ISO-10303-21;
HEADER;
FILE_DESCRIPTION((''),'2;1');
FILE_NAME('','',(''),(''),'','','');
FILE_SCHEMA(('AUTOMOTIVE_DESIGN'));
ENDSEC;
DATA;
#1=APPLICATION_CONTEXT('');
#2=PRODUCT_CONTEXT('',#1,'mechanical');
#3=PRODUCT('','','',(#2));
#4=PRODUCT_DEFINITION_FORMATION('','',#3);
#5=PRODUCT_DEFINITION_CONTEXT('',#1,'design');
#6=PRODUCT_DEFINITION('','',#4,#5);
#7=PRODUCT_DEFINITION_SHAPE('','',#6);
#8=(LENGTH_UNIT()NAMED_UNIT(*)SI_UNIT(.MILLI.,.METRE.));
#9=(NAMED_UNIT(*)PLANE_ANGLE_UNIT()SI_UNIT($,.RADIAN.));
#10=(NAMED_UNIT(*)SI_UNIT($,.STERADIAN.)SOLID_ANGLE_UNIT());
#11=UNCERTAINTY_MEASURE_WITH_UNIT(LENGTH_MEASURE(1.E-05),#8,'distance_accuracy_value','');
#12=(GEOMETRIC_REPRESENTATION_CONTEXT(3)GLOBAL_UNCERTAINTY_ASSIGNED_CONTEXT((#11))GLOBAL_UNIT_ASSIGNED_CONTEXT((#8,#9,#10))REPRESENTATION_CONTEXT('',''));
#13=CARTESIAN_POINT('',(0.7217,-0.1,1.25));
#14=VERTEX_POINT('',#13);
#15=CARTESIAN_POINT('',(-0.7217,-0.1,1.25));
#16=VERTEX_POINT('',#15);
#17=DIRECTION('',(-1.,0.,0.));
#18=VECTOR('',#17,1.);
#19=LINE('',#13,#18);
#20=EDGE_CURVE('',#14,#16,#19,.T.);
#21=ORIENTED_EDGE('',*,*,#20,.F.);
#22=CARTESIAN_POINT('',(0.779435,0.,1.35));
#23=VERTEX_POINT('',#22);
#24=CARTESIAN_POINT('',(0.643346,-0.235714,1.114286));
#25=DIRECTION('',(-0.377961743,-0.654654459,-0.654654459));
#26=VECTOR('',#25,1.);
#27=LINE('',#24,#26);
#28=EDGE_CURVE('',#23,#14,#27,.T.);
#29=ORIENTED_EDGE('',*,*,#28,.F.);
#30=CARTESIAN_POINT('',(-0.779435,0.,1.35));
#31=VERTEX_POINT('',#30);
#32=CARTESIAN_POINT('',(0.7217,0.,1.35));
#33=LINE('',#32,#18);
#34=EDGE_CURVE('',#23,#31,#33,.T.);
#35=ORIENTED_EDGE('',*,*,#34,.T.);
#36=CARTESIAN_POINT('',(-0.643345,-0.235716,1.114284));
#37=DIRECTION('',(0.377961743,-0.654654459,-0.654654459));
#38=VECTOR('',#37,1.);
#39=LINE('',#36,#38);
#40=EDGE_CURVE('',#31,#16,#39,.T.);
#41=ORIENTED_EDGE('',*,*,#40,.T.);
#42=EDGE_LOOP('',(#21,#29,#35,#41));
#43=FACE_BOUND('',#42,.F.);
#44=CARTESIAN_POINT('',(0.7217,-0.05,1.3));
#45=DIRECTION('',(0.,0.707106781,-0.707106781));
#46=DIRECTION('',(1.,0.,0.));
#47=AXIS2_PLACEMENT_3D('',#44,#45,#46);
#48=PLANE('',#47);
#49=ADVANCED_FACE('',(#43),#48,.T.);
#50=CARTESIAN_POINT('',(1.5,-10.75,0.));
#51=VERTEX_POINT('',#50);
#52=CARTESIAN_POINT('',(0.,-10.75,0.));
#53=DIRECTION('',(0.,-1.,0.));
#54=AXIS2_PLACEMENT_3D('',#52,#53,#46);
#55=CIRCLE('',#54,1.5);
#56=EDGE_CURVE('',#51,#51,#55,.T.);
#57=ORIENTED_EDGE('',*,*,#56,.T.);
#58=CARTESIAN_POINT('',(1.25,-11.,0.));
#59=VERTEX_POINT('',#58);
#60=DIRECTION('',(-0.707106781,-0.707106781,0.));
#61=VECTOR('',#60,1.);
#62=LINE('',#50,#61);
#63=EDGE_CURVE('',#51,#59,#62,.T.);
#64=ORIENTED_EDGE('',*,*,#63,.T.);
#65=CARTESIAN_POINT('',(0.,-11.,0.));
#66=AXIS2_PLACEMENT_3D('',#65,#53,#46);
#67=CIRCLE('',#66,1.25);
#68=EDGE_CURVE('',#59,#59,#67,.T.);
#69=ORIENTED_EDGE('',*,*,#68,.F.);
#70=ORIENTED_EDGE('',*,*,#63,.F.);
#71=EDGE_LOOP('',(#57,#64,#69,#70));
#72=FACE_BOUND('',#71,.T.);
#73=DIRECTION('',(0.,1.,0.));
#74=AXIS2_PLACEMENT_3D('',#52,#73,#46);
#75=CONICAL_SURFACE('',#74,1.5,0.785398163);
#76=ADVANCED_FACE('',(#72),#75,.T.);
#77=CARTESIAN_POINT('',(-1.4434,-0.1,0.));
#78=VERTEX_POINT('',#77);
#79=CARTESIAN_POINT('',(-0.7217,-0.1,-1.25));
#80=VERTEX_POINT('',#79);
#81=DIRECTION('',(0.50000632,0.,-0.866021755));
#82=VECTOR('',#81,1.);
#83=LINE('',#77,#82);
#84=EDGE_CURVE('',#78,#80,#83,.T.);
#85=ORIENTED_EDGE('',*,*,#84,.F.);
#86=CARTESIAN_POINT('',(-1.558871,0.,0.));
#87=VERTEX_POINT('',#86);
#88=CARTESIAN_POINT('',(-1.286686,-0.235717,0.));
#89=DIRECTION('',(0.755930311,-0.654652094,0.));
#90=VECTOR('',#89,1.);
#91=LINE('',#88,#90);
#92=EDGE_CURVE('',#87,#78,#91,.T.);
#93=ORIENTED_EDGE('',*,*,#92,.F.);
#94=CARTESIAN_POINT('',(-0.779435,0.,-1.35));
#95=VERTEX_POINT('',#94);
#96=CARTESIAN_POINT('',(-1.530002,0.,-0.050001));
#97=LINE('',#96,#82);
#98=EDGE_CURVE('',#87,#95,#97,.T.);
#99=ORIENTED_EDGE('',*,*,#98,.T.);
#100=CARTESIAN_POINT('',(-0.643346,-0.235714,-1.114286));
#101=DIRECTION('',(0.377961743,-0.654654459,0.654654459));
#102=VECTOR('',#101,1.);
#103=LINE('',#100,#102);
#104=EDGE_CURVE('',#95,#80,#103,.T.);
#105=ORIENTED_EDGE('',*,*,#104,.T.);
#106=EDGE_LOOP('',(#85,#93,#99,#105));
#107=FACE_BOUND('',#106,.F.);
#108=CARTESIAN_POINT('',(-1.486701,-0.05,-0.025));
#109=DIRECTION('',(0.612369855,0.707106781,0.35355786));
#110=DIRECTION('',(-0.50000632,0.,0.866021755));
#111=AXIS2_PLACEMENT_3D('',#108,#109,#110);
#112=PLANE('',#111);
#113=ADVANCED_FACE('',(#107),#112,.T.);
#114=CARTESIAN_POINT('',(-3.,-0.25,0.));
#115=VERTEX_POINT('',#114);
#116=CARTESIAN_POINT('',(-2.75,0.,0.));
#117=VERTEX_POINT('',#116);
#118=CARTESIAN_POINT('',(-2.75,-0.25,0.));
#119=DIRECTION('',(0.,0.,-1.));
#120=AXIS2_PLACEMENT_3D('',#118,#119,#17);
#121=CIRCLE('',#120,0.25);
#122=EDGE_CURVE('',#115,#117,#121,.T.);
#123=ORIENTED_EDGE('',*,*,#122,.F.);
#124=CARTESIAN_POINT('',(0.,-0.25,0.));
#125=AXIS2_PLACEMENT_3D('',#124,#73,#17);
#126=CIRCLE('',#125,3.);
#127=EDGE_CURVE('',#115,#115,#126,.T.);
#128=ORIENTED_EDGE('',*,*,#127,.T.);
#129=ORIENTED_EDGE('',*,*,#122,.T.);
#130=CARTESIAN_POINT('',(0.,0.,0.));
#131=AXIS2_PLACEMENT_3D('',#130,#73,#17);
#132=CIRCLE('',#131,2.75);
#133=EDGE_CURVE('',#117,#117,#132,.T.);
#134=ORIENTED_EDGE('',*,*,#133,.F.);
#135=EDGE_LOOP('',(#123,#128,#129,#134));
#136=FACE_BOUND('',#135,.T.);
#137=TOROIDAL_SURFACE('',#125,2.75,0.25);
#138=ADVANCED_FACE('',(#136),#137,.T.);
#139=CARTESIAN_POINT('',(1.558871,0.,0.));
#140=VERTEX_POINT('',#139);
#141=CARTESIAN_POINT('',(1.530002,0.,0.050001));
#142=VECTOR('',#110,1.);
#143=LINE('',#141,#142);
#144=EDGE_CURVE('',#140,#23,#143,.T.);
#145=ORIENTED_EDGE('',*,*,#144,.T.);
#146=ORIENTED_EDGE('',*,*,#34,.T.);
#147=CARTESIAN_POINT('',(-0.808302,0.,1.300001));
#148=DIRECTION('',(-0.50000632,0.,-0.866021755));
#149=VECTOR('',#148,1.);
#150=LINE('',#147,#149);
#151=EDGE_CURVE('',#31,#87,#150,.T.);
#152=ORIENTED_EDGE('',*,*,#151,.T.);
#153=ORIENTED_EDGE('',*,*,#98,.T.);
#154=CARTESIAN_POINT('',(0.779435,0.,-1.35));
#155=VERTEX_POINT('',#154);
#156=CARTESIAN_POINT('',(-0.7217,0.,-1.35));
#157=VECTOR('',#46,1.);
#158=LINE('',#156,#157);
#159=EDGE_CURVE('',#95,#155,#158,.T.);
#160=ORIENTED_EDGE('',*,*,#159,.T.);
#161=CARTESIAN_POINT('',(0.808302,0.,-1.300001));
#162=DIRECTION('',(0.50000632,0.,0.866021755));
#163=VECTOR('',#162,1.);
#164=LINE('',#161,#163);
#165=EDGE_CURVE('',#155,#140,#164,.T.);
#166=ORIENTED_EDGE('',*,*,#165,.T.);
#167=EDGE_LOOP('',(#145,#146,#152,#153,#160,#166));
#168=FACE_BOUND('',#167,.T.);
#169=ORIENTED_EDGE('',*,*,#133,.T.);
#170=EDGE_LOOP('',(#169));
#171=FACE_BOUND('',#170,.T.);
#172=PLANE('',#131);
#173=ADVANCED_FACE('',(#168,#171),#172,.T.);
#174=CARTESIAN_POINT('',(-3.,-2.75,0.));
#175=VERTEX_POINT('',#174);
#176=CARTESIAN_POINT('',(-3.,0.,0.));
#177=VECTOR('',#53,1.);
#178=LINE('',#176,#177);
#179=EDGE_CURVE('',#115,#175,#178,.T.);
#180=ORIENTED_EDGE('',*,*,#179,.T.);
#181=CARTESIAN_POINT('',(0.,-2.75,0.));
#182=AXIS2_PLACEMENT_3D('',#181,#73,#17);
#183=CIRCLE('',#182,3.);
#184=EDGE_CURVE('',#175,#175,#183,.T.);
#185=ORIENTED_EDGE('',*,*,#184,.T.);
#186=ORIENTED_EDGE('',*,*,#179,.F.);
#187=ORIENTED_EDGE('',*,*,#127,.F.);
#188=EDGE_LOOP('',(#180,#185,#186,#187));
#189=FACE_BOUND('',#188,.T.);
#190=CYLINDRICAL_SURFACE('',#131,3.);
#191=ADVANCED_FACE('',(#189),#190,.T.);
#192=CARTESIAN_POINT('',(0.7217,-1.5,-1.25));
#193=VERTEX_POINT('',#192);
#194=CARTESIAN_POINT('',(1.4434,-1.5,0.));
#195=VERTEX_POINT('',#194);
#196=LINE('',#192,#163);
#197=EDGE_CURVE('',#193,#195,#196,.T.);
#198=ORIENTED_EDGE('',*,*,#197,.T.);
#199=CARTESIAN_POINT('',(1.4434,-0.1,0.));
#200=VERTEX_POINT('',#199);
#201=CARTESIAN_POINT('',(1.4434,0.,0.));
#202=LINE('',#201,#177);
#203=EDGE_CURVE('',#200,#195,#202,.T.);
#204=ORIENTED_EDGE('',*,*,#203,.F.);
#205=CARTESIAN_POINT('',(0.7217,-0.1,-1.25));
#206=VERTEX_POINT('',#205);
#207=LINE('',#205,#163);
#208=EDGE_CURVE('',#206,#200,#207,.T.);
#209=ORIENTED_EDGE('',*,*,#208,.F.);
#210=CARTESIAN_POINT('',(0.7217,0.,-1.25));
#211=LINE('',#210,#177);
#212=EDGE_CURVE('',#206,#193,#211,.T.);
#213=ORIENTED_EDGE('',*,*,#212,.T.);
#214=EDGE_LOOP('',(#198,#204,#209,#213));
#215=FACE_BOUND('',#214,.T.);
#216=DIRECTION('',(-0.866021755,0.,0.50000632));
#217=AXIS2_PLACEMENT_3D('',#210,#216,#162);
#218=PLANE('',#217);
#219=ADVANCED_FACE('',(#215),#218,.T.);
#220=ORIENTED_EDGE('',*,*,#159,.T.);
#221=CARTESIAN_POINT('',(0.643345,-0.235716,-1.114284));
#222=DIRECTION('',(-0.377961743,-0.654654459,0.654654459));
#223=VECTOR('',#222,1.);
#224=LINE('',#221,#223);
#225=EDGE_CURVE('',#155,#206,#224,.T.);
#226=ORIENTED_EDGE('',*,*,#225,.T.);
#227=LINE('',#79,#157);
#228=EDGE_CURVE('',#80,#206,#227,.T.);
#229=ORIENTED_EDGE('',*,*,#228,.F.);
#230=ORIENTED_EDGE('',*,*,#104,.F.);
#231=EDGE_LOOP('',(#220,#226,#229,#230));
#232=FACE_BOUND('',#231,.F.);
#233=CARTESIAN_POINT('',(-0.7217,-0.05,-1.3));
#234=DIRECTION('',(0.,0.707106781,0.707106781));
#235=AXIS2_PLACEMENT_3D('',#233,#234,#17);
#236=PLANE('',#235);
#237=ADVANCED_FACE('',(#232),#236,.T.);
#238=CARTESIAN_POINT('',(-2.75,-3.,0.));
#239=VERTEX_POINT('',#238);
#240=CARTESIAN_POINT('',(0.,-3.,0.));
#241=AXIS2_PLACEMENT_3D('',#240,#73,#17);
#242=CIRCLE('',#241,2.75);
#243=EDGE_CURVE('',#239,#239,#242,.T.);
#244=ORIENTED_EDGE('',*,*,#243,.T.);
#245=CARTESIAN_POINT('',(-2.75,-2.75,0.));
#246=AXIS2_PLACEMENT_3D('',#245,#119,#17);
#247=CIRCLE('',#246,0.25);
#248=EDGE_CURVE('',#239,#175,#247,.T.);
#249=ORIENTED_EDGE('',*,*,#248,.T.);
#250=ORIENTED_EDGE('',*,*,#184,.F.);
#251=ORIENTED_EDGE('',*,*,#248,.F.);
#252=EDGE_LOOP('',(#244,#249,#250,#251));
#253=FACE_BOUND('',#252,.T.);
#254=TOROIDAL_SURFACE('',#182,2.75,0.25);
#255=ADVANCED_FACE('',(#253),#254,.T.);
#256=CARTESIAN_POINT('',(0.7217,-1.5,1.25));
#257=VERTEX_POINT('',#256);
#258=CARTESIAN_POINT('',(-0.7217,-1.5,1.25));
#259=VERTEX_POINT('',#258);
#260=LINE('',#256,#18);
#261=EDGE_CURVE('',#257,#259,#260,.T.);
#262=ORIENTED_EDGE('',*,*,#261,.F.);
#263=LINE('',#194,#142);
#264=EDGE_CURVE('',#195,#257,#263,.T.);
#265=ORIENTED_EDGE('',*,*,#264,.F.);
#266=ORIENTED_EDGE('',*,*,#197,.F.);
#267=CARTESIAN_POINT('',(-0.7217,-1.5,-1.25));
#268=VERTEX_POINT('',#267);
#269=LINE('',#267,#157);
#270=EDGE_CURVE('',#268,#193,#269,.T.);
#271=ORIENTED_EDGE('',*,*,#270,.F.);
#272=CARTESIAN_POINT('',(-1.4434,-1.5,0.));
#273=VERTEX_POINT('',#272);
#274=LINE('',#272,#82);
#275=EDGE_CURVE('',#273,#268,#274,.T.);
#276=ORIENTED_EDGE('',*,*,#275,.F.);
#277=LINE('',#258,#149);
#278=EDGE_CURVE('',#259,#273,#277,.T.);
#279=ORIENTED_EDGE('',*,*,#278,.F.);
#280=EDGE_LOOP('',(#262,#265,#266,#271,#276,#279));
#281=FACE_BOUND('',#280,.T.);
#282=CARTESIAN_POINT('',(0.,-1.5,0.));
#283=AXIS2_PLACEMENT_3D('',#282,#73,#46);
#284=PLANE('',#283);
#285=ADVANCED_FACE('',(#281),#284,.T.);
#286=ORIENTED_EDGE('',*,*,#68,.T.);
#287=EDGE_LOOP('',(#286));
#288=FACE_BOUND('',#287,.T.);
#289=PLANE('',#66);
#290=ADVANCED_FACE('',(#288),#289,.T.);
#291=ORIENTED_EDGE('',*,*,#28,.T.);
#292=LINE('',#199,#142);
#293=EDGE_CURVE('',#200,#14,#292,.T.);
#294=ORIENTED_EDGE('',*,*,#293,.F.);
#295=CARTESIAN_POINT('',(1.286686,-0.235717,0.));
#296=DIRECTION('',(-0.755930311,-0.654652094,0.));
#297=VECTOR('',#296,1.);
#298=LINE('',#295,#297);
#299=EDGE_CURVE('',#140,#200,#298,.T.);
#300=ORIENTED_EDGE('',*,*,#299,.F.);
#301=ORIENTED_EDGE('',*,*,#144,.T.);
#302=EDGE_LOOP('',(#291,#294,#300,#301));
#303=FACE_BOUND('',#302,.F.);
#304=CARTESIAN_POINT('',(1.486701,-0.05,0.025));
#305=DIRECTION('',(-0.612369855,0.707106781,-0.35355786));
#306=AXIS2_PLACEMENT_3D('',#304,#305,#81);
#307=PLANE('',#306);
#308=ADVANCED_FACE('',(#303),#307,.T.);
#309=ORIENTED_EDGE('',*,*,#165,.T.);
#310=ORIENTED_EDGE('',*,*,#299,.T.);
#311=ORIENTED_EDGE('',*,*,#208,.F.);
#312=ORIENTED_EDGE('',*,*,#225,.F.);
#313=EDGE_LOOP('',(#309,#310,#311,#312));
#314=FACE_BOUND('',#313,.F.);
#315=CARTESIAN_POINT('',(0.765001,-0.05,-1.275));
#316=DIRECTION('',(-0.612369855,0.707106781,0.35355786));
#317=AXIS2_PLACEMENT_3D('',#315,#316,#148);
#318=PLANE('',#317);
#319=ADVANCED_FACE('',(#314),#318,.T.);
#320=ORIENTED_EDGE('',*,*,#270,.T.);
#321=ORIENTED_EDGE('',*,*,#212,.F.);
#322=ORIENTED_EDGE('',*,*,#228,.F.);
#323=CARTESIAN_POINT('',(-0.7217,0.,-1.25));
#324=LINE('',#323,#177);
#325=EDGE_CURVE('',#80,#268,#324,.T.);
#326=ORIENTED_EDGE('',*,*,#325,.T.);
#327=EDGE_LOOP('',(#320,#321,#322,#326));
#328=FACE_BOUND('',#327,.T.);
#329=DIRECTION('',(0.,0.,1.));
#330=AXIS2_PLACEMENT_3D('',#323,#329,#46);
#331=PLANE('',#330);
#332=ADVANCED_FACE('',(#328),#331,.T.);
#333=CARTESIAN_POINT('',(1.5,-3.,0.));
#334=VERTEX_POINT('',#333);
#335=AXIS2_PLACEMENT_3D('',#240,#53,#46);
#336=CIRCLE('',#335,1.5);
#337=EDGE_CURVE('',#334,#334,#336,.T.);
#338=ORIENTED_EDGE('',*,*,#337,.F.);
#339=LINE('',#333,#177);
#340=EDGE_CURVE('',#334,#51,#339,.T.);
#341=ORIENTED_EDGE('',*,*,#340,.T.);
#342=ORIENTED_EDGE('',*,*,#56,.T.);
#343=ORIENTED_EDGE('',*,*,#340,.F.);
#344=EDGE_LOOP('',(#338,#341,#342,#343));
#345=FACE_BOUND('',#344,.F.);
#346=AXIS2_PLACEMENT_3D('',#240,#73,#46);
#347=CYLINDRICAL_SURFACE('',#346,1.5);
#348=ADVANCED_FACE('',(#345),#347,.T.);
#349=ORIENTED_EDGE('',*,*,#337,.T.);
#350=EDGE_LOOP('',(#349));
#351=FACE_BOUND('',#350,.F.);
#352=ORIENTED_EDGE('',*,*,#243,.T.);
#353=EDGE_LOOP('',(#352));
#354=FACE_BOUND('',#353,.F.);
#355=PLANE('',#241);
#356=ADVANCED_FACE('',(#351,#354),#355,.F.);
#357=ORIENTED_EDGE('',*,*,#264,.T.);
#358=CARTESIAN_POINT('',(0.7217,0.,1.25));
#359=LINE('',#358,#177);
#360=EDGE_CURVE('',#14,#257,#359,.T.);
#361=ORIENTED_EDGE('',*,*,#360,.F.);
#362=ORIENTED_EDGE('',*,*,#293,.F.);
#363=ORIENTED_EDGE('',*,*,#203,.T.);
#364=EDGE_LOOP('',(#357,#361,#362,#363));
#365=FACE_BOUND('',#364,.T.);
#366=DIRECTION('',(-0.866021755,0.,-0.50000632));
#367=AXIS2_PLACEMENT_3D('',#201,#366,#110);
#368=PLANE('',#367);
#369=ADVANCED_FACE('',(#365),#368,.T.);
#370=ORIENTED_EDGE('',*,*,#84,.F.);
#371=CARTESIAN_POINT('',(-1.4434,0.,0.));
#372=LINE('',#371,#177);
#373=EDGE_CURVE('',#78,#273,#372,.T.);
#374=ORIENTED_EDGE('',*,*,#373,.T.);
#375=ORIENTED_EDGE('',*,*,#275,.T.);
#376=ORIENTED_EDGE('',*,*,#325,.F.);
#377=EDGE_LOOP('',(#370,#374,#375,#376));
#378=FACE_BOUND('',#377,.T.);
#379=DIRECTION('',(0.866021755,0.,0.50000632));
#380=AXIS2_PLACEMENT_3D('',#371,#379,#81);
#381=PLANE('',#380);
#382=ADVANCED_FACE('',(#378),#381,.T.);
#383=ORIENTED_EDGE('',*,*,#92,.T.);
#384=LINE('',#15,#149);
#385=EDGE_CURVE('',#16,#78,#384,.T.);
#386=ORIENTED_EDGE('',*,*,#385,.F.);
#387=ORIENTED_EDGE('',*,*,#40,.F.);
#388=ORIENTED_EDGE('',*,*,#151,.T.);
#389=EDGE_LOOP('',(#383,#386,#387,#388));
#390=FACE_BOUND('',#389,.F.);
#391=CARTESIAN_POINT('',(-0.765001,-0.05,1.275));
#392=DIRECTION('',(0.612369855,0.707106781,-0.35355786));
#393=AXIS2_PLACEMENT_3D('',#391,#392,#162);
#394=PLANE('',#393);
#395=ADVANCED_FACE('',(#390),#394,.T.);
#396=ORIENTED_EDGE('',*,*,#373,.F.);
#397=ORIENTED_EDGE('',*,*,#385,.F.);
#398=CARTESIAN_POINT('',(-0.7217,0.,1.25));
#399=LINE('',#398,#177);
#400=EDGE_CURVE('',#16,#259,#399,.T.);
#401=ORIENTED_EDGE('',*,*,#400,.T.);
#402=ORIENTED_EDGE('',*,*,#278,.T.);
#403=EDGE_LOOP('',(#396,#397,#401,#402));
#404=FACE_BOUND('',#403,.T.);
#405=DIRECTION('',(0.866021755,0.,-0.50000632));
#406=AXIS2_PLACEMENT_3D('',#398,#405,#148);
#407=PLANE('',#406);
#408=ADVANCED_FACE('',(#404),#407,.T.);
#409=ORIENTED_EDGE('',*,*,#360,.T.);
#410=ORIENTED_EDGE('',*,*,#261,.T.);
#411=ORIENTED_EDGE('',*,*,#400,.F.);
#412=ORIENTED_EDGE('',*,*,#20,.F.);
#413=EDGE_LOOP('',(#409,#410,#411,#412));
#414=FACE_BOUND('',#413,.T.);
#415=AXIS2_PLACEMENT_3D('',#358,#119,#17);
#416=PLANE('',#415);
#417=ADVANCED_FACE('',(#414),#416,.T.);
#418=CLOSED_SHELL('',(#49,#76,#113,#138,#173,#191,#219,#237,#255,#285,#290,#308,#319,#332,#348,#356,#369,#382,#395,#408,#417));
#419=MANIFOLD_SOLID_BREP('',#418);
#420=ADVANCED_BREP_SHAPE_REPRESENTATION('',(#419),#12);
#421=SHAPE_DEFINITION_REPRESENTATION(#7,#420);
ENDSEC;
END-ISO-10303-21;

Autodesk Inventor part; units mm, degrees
ref_plane "YZ Plane" through (0, 0, 0) normal (1, 0, 0) x (0, 1, 0)
ref_plane "XZ Plane" through (0, 0, 0) normal (0, 1, 0) x (-1, 0, 0)
ref_plane "XY Plane" through (0, 0, 0) normal (0, 0, 1) x (1, 0, 0)
sketch "Sketch1" plane through (0, 0, 0) normal (0, 1, 0) x (-1, 0, 0)
  circle A0 centre (0, 0) radius 3
  dimension "d0" = 6
extrude "Extrusion1" add sketch "Sketch1" against normal blind 3
sketch "Sketch2" plane through (0, -3, 0) normal (0, -1, 0) x (1, 0, 0)
  circle A0 centre (0, 0) radius 1.5
  dimension "d3" = 3
extrude "Extrusion2" add sketch "Sketch2" along normal blind 8
sketch "Sketch3" plane through (0, 0, 0) normal (0, 1, 0) x (1, 0, 0)
  circle A0 centre (0, 0) radius 1.5 construction
  line L0 (1.4434, 0) -> (0.7217, -1.25)
  line L1 (0.7217, -1.25) -> (-0.7217, -1.25)
  line L2 (-0.7217, -1.25) -> (-1.4434, 0)
  line L3 (-1.4434, 0) -> (-0.7217, 1.25)
  line L4 (-0.7217, 1.25) -> (0.7217, 1.25)
  line L5 (0.7217, 1.25) -> (1.4434, 0)
  dimension "d8" = 2.5
extrude "Extrusion3" cut sketch "Sketch3" against normal blind 1.5
chamfer "Chamfer1" distance 0.25 angle 45 1 edges at (-1.5, -11, 0)
fillet "Fillet1" radius 0.25 2 edges at (3, 0, 0) (3, -3, 0)
chamfer "Chamfer2" distance 0.1 angle 45 6 edges at (0, 0, -1.25) (1.0825, 0, -0.625) (1.0825, 0, 0.625) (0, 0, 1.25) (-1.0825, 0, 0.625) (-1.0825, 0, -0.625)
thread "Thread2" size "M3x0.5" class "6g" standard "ANSI Metric M Profile" full length
properties part number "M3-8" material "Steel, Carbon"
